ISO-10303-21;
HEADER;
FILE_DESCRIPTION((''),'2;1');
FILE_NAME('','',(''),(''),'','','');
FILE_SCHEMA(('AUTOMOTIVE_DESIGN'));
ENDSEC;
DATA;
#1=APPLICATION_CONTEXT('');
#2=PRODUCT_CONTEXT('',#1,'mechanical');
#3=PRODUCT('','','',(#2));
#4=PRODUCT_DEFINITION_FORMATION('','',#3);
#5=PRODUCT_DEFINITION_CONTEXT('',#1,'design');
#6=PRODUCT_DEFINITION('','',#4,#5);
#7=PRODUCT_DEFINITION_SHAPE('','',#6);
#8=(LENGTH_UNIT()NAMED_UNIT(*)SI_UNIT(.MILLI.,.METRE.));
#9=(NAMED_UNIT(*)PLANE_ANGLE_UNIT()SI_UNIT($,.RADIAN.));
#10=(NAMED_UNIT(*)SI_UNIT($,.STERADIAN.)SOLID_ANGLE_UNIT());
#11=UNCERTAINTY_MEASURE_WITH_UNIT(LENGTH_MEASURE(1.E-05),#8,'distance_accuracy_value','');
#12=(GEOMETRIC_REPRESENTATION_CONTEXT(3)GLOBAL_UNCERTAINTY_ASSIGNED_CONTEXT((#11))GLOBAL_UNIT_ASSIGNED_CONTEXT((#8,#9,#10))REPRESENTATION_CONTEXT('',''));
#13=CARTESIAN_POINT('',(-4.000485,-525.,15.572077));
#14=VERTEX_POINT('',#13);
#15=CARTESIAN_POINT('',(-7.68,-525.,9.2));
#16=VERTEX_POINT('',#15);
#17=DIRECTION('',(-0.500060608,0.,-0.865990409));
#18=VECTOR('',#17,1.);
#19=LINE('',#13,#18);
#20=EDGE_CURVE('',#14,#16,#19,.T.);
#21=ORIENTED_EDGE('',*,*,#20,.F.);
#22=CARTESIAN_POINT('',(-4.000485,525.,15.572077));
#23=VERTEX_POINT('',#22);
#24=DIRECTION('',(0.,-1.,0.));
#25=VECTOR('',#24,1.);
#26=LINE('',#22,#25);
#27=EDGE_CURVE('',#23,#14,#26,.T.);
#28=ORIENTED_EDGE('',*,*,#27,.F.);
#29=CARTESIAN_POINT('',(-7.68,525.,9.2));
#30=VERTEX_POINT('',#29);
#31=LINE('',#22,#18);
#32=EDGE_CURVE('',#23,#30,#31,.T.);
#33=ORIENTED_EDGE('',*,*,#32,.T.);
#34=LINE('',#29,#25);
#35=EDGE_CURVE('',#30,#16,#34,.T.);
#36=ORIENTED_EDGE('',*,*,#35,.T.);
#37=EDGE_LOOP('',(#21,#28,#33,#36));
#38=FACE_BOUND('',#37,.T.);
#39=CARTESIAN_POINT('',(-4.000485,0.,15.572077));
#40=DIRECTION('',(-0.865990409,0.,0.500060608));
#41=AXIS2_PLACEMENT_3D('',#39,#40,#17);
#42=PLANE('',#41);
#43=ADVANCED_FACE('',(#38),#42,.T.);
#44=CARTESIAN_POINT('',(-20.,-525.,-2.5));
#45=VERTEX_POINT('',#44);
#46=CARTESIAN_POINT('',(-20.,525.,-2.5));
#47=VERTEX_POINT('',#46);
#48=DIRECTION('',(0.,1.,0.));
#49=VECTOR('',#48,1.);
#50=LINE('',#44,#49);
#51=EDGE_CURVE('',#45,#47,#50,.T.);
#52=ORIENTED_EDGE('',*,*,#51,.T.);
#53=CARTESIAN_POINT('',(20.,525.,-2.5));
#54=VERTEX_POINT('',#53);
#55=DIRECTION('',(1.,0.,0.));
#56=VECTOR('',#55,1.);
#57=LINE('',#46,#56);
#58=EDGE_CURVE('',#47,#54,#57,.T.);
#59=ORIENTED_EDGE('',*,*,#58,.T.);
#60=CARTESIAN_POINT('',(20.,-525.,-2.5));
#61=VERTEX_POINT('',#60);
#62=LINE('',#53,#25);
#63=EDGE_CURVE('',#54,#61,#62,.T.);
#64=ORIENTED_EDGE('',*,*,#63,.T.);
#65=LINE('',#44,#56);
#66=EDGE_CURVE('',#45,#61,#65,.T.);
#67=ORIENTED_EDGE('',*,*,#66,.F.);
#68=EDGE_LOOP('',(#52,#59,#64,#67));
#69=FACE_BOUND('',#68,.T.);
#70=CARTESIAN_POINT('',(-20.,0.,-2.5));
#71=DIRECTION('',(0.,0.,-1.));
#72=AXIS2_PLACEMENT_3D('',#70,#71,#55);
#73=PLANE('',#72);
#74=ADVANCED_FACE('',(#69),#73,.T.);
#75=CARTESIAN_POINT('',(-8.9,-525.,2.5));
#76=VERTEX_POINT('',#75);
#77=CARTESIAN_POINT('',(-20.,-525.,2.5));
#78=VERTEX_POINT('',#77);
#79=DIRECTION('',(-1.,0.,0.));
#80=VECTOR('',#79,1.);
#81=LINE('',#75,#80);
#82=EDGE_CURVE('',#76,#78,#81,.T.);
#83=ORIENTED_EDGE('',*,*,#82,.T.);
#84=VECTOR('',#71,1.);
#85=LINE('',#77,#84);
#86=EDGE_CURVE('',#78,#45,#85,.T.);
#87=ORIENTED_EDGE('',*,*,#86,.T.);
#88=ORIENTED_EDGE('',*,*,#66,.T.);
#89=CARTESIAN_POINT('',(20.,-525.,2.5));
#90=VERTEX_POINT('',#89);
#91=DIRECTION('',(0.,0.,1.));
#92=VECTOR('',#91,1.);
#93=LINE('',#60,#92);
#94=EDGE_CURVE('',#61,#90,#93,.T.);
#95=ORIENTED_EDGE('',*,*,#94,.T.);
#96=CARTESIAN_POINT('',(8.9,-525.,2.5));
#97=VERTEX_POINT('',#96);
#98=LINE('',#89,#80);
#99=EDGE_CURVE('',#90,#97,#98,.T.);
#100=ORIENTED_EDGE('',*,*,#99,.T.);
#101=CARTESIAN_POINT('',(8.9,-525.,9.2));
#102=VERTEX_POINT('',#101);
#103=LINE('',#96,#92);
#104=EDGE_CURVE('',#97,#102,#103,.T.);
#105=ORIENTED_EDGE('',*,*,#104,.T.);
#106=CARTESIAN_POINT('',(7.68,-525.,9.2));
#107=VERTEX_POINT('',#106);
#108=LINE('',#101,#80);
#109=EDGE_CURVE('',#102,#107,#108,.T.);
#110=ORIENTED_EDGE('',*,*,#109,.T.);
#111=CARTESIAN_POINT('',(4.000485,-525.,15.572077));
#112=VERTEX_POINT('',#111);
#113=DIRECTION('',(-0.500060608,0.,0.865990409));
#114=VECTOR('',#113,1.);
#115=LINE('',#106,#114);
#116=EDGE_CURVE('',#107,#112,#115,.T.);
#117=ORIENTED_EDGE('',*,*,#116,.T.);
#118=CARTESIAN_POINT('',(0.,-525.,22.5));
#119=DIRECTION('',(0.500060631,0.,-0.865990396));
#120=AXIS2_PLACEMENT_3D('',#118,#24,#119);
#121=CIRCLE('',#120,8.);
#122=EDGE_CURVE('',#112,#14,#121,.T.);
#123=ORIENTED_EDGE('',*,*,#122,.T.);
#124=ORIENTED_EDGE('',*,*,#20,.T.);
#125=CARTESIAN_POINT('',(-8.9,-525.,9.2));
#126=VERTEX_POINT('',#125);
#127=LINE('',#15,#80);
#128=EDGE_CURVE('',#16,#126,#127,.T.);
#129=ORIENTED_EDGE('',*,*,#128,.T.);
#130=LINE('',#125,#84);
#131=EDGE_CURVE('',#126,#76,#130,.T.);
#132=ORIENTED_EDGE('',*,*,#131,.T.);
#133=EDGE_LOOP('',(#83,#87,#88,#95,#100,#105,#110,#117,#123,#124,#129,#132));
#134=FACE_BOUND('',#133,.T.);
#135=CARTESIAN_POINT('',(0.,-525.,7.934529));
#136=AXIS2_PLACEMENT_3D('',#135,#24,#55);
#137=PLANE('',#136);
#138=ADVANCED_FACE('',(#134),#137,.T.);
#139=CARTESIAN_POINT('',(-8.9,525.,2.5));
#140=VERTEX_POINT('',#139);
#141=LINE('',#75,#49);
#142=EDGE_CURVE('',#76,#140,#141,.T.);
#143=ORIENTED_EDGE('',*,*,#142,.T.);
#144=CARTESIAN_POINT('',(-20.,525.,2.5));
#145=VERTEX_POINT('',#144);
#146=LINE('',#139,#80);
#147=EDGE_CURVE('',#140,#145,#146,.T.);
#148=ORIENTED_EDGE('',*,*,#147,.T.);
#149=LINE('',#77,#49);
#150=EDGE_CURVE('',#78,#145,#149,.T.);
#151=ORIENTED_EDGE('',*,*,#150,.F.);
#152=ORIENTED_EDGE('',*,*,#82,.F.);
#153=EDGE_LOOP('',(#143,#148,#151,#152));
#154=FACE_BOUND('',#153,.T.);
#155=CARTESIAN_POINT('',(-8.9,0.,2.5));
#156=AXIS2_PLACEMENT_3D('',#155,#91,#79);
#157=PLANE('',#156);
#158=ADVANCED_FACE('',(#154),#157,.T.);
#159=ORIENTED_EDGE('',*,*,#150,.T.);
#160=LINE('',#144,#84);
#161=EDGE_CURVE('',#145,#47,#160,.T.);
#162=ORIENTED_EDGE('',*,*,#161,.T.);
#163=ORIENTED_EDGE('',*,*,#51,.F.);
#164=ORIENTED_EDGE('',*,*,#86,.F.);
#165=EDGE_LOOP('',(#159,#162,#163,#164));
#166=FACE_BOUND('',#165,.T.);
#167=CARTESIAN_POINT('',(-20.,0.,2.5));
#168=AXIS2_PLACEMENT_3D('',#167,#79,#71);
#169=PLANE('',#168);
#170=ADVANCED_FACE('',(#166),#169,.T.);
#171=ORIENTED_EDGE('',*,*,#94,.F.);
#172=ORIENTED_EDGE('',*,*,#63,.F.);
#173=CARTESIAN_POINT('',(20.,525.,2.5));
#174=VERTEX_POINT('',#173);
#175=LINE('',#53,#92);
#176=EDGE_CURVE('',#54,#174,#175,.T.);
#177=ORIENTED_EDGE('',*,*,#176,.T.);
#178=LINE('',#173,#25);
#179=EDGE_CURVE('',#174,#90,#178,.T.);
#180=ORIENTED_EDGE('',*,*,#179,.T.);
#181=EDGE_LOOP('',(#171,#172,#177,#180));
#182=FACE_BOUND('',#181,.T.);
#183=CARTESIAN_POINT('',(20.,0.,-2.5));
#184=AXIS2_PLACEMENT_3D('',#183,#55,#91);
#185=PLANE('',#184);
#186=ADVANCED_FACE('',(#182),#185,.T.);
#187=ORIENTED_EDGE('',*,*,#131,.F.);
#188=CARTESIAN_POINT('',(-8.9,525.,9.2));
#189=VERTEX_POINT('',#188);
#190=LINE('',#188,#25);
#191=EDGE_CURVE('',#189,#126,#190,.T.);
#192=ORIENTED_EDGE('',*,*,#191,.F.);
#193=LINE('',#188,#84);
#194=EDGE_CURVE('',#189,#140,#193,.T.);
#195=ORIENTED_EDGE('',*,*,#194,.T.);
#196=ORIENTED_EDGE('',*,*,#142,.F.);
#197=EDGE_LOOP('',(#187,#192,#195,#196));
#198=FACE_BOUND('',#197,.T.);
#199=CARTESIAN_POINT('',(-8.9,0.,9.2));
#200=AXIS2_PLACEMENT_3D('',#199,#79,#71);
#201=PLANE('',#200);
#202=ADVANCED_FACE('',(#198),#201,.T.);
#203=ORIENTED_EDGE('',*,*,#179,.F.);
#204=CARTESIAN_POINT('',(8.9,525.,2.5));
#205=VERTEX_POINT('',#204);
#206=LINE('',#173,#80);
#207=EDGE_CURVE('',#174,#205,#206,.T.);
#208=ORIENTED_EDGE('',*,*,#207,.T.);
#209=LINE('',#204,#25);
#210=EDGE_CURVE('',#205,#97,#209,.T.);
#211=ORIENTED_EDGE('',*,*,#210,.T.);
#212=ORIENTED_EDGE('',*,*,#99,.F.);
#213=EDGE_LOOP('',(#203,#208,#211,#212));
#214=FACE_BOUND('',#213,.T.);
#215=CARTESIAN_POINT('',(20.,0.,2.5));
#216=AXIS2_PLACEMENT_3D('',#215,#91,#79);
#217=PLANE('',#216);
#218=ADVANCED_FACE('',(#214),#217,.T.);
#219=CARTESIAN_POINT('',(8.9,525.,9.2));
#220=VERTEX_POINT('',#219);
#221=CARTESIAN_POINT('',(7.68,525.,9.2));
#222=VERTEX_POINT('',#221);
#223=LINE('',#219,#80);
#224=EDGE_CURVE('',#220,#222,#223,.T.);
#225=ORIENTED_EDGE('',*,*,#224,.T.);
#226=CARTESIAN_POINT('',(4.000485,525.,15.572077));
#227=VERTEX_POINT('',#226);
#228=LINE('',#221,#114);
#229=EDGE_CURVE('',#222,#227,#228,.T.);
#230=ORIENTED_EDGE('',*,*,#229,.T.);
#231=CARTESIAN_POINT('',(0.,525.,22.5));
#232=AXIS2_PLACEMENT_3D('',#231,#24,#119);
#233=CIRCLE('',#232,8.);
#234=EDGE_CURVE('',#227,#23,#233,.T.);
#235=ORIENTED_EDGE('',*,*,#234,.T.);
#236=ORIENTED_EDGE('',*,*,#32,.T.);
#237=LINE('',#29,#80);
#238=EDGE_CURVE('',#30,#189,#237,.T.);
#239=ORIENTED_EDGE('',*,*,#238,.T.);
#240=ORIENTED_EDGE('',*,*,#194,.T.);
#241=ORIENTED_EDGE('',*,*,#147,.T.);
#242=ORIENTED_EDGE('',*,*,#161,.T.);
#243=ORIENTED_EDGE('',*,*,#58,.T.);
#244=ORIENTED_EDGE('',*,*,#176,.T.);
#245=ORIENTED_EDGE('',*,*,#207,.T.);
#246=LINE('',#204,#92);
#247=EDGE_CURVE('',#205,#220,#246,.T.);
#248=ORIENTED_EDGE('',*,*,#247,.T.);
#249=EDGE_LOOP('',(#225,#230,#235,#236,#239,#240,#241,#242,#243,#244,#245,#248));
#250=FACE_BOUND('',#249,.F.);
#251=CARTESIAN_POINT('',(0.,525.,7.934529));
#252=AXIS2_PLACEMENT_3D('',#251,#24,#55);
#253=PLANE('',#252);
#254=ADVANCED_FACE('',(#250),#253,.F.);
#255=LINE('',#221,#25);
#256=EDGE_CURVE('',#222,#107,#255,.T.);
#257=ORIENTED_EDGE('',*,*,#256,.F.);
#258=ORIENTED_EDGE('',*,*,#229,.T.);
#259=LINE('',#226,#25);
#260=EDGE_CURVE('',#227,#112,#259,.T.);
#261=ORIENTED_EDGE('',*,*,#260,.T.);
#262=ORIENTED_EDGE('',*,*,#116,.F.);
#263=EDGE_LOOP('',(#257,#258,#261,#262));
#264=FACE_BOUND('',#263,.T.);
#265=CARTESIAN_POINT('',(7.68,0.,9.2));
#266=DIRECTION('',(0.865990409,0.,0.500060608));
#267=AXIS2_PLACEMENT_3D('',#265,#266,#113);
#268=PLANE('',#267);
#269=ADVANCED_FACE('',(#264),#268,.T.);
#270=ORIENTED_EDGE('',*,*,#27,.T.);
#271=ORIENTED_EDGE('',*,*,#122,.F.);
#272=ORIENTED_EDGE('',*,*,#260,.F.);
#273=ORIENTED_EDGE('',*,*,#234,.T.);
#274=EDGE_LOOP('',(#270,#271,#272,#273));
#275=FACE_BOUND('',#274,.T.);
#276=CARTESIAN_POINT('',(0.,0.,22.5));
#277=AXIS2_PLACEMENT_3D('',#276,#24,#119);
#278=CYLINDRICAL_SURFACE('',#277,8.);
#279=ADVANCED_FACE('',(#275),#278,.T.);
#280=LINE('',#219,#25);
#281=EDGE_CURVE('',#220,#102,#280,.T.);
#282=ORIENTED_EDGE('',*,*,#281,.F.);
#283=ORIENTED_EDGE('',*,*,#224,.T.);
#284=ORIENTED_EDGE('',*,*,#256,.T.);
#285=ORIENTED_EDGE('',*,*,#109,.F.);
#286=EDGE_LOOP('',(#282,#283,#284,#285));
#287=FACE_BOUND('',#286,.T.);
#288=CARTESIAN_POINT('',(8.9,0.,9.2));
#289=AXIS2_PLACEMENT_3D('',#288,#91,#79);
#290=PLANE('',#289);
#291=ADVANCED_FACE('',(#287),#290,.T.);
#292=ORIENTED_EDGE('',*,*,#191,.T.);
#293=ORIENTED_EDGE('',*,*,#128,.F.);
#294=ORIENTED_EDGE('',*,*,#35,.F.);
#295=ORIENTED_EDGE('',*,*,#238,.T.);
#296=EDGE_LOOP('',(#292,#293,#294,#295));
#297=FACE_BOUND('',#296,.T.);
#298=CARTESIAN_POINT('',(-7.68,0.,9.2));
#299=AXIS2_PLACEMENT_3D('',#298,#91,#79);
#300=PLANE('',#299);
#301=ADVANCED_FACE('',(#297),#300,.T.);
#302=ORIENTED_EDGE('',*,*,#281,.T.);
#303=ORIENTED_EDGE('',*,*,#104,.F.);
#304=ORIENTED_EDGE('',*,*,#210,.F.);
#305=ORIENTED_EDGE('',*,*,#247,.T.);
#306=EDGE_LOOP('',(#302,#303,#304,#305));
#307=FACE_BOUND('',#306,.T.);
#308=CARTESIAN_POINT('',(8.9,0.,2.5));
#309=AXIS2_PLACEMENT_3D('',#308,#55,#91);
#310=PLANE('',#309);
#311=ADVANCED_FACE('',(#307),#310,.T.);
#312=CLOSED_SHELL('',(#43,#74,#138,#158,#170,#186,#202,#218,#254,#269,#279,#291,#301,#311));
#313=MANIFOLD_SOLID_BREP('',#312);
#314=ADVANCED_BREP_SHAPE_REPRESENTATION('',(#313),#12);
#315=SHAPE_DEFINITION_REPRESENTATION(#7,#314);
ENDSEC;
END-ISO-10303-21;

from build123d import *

# Parameters (mm, degrees)
F1_DEPTH = 525


with BuildPart() as f1:
    # F0 (on Front) → F1 (new body, symmetric)
    with BuildSketch(Plane.XZ):
        with BuildLine():
            Line((-20, -2.5), (20, -2.5))
            Line((20, -2.5), (20, 2.5))
            Line((20, 2.5), (8.9, 2.5))
            Line((8.9, 2.5), (8.9, 9.2))
            Line((8.9, 9.2), (7.68, 9.2))
            Line((7.68, 9.2), (4.000485, 15.572077))
            ThreePointArc((4.000485, 15.572077), (0, 30.5), (-4.000485, 15.572077))
            Line((-4.000485, 15.572077), (-7.68, 9.2))
            Line((-7.68, 9.2), (-8.9, 9.2))
            Line((-8.9, 9.2), (-8.9, 2.5))
            Line((-8.9, 2.5), (-20, 2.5))
            Line((-20, 2.5), (-20, -2.5))
        make_face()
    extrude(amount=F1_DEPTH, both=True)


solid = f1.part
